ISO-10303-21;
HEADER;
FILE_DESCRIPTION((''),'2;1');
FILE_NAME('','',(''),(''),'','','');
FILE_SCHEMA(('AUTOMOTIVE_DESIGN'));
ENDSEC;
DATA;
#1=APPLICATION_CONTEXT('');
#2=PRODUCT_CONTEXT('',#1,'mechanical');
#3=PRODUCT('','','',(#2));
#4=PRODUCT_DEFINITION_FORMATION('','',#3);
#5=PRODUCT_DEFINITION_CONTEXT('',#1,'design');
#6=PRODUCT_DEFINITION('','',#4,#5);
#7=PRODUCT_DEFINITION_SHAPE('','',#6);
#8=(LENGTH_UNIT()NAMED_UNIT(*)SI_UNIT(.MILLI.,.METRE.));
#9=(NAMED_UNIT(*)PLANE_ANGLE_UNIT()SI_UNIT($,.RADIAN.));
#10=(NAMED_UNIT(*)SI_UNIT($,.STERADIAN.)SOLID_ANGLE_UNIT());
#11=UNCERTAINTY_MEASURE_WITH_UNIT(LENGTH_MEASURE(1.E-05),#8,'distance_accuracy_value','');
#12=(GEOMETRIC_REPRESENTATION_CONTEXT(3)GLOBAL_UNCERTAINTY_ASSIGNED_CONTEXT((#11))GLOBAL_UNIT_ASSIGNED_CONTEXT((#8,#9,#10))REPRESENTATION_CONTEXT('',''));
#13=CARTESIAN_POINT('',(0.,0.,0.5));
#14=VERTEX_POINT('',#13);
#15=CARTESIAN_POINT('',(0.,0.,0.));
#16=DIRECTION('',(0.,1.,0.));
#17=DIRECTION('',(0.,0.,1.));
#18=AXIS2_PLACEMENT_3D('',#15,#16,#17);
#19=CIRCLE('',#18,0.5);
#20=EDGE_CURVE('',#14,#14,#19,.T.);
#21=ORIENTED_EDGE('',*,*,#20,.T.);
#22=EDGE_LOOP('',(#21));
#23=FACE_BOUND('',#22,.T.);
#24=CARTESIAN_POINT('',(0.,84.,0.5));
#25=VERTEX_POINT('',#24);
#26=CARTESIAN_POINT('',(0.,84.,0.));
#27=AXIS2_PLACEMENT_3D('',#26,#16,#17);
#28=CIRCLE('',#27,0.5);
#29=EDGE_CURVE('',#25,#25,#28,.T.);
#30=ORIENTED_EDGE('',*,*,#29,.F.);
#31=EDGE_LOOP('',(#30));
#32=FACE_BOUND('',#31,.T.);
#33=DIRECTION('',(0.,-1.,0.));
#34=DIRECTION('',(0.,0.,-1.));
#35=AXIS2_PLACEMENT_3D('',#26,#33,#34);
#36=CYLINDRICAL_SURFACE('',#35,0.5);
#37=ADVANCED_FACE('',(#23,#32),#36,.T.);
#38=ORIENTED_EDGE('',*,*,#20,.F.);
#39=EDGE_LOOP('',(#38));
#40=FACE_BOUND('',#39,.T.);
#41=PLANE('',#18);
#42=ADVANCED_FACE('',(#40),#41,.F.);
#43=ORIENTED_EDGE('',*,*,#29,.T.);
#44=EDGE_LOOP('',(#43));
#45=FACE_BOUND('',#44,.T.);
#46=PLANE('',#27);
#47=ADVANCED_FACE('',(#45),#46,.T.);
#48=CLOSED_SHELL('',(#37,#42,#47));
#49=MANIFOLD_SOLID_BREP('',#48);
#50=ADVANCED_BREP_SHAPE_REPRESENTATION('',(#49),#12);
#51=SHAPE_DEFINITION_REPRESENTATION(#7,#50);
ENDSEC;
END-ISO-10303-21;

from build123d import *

# Parameters (mm, degrees)
SKETCH_1_R      = 0.5
EXTRUDE_1_DEPTH = 84


with BuildPart() as part:
    # 草图1 → 凸台-拉伸1 (new body)
    with BuildSketch(Plane(origin=(0, 0, 0), x_dir=(1, 0, 0), z_dir=(0, 1, 0))):
        with Locations(Location((0, 0, 0), (0, 0, 270))):
            Circle(SKETCH_1_R)
    extrude(amount=EXTRUDE_1_DEPTH)


solid = part.part
